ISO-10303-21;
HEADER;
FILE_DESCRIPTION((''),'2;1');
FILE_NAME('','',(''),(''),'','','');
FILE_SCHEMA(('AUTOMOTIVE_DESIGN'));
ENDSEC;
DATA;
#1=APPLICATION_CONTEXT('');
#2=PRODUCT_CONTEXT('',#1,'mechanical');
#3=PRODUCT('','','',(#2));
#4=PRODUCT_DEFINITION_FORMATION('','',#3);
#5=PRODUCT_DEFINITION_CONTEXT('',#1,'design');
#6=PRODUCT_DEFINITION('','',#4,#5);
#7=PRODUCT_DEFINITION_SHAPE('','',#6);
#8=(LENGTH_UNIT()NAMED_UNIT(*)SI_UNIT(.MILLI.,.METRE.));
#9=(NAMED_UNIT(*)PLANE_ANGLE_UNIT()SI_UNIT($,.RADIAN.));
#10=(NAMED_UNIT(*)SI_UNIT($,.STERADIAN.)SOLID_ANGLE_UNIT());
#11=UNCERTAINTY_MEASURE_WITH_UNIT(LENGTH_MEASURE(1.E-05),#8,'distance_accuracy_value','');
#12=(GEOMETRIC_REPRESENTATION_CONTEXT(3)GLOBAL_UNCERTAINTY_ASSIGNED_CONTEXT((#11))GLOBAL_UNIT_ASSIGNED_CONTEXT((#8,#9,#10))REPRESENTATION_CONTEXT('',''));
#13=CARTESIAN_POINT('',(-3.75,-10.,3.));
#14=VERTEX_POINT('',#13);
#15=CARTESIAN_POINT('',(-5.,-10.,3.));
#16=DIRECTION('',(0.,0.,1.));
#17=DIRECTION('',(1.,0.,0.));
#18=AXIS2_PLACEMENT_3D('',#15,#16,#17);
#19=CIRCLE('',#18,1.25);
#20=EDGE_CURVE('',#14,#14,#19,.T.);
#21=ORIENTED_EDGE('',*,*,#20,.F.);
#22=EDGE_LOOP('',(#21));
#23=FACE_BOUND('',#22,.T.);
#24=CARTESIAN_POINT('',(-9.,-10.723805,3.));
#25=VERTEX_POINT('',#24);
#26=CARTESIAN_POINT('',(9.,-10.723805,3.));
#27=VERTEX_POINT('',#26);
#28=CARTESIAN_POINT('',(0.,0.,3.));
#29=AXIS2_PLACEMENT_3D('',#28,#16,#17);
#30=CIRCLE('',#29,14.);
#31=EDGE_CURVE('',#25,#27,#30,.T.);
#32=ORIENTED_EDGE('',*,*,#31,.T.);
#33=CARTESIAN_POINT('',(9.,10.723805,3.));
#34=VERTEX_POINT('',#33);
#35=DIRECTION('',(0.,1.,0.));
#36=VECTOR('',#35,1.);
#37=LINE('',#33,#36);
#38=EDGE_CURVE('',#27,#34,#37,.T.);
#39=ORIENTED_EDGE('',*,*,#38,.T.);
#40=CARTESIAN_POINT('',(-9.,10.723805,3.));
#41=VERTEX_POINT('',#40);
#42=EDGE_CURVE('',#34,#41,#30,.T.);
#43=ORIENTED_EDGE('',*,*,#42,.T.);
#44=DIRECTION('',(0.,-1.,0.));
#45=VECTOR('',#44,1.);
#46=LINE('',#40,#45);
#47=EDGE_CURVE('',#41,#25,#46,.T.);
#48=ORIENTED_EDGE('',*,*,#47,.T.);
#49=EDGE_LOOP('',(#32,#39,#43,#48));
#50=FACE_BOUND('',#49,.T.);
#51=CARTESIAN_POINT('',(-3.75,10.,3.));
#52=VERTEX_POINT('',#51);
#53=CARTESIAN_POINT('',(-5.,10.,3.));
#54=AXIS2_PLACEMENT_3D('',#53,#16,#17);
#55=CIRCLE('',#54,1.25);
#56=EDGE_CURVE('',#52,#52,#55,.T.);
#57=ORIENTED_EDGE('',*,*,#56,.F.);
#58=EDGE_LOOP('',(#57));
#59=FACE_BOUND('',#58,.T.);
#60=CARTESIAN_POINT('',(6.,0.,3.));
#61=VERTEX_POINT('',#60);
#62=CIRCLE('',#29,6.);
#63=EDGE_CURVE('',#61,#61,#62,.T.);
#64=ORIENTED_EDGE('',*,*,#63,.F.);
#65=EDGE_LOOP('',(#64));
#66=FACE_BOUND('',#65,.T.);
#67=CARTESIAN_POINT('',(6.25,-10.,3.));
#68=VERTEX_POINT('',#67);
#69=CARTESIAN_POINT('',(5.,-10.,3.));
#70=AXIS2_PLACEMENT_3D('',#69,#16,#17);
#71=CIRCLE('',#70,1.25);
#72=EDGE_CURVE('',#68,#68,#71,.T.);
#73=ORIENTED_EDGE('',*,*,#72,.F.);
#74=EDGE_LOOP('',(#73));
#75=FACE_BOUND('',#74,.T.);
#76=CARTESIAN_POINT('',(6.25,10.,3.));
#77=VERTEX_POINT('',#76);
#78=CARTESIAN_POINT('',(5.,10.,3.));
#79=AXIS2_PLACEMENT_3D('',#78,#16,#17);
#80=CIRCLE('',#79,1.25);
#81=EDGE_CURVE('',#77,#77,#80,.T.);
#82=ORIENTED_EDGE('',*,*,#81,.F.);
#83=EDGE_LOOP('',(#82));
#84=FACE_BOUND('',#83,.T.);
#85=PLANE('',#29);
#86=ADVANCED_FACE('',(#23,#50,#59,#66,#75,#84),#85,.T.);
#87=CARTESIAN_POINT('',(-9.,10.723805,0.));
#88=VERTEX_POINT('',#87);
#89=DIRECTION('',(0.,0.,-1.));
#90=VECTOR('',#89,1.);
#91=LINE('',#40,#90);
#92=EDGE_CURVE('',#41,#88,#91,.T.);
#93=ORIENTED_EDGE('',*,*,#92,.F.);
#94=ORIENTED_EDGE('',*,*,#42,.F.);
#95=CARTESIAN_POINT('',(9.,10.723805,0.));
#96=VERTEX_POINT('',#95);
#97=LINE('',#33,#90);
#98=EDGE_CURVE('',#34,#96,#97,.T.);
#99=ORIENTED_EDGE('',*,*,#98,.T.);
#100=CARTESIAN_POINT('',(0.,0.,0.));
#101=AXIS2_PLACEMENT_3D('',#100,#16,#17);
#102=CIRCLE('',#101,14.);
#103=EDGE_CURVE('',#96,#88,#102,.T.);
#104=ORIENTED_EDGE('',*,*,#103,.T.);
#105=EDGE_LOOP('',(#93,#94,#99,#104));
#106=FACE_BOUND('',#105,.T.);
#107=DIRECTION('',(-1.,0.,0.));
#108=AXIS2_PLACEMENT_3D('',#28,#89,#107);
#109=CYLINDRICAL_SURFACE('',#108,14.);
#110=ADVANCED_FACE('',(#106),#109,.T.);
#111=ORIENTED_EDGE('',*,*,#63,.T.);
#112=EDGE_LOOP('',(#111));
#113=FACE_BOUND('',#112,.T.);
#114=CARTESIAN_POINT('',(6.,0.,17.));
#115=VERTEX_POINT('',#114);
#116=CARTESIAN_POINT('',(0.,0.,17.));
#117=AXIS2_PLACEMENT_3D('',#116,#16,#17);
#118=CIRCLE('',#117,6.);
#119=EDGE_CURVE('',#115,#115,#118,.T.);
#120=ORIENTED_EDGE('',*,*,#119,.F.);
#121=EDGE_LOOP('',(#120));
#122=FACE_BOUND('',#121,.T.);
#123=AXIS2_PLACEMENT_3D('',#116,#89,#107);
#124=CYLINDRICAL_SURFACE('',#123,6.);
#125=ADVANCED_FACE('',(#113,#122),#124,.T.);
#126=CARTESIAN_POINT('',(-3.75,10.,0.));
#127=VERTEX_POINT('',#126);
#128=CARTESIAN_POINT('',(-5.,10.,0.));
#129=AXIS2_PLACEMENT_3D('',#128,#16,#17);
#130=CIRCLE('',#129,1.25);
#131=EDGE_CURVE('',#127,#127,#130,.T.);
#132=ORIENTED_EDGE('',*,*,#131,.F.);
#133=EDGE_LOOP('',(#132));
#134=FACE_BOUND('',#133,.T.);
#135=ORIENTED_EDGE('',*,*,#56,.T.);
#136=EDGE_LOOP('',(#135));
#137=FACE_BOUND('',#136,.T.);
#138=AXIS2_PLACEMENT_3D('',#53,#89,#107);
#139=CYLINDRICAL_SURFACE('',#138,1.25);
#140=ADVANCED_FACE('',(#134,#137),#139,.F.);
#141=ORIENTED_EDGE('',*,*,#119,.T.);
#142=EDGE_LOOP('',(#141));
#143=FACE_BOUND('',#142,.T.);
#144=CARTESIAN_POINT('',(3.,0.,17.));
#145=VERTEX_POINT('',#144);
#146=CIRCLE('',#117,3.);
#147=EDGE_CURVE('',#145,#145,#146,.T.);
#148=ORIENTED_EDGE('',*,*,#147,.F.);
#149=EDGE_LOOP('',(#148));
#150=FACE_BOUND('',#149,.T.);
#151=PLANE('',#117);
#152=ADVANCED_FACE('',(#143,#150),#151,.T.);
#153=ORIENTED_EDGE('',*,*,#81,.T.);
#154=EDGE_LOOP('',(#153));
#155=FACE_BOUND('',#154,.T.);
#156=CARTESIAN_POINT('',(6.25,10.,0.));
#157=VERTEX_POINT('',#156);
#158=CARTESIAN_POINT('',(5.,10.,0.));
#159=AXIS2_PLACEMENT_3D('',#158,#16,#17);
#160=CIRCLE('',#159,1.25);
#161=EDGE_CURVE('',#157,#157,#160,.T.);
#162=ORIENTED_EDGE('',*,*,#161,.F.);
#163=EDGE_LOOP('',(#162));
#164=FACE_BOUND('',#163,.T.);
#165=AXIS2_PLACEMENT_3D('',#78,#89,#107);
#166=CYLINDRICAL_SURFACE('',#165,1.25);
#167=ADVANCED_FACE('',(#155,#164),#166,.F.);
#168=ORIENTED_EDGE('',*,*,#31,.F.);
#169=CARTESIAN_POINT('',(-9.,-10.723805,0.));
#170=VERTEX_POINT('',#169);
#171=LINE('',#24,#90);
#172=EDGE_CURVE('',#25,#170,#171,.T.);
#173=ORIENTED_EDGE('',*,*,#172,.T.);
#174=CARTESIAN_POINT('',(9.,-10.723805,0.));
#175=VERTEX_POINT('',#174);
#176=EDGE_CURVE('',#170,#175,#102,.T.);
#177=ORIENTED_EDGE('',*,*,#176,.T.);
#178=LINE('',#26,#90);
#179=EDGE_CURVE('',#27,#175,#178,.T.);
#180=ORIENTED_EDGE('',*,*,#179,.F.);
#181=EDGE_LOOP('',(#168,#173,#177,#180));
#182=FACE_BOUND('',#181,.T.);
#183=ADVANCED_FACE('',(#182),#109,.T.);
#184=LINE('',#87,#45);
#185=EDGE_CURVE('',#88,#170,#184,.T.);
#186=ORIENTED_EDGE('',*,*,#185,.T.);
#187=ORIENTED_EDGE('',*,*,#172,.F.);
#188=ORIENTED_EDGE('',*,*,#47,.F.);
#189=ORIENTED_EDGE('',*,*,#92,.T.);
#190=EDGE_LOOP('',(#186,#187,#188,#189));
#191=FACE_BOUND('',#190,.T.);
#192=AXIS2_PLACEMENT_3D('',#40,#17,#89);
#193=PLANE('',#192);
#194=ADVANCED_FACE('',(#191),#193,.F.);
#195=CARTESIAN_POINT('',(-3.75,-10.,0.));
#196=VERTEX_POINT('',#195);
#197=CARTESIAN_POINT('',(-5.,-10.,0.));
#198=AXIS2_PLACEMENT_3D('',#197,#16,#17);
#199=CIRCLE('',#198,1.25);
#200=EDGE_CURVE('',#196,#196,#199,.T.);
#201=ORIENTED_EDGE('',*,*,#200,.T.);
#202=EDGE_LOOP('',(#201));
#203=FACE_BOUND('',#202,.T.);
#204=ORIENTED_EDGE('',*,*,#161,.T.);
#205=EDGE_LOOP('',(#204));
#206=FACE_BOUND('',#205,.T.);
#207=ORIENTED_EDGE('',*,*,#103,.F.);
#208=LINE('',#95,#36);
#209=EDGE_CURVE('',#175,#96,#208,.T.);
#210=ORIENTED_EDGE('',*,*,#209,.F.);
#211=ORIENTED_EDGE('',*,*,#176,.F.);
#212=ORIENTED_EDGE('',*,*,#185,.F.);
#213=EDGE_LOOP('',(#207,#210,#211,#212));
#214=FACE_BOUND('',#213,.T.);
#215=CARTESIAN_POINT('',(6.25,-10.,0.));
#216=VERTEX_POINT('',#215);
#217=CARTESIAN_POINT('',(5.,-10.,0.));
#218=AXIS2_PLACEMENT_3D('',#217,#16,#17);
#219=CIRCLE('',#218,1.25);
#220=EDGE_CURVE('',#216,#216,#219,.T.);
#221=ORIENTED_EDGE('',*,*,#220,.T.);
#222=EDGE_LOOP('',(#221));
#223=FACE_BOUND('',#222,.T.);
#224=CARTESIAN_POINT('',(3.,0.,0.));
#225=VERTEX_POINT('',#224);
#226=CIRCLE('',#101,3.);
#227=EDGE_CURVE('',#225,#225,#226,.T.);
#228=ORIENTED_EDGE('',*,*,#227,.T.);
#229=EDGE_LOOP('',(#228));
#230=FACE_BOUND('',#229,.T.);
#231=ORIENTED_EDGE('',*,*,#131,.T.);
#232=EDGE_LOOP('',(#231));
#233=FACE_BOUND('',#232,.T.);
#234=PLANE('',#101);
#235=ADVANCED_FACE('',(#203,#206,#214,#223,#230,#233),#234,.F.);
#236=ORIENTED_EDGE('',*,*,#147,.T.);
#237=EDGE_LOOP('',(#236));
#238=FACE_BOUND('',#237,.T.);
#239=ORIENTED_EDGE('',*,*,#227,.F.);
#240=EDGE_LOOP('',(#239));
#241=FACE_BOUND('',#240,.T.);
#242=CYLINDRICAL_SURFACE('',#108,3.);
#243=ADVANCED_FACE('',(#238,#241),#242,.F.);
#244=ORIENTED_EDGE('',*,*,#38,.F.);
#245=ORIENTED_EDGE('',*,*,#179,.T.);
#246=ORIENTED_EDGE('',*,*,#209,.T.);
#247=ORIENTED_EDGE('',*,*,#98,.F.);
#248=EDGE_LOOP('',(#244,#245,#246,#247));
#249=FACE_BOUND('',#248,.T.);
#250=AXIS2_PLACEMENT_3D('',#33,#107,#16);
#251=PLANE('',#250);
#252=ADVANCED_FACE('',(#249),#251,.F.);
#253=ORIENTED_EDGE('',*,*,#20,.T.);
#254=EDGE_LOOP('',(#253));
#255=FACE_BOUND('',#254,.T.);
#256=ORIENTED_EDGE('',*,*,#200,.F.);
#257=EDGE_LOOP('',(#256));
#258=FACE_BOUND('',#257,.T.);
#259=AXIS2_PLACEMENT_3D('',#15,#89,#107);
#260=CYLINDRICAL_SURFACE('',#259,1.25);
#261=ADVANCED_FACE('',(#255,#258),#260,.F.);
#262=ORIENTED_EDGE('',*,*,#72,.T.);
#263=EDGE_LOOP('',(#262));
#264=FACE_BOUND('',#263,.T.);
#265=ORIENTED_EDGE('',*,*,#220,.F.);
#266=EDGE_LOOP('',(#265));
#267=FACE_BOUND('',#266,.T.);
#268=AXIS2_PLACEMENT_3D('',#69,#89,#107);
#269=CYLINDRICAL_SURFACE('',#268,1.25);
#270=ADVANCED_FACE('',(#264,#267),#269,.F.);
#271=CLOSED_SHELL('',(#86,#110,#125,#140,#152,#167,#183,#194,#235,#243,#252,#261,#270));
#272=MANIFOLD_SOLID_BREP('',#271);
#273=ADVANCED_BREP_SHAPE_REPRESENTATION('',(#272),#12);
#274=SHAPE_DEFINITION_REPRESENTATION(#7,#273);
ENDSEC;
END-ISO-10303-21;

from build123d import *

# Parameters (mm, degrees)
SKETCH1_R               = 3
SKETCH1_R_2             = 1.25
BOSS_EXTRUDE1_DEPTH     = 3
SKETCH2_R               = 6
SKETCH2_R_2             = 3
LINEARBALLSUPPORT_DEPTH = 14


with BuildPart() as part:
    # Sketch1 → Boss-Extrude1 (new body)
    with BuildSketch(Plane.XY):
        with BuildLine():
            Line((-9, 10.723805295), (-9, -10.723805295))
            ThreePointArc((-9, -10.723805295), (0, -14), (9, -10.723805295))
            Line((9, -10.723805295), (9, 10.723805295))
            ThreePointArc((9, 10.723805295), (0, 14), (-9, 10.723805295))
        make_face()
        Circle(SKETCH1_R, mode=Mode.SUBTRACT)
        with Locations((-5, 10)):
            Circle(SKETCH1_R_2, mode=Mode.SUBTRACT)
        with Locations((5, 10)):
            Circle(SKETCH1_R_2, mode=Mode.SUBTRACT)
        with Locations((-5, -10)):
            Circle(SKETCH1_R_2, mode=Mode.SUBTRACT)
        with Locations((5, -10)):
            Circle(SKETCH1_R_2, mode=Mode.SUBTRACT)
    extrude(amount=BOSS_EXTRUDE1_DEPTH)

    # Sketch2 → LinearBallSupport (add)
    with BuildSketch(Plane.XY.offset(3)):
        Circle(SKETCH2_R)
        Circle(SKETCH2_R_2, mode=Mode.SUBTRACT)
    extrude(amount=LINEARBALLSUPPORT_DEPTH)


solid = part.part
